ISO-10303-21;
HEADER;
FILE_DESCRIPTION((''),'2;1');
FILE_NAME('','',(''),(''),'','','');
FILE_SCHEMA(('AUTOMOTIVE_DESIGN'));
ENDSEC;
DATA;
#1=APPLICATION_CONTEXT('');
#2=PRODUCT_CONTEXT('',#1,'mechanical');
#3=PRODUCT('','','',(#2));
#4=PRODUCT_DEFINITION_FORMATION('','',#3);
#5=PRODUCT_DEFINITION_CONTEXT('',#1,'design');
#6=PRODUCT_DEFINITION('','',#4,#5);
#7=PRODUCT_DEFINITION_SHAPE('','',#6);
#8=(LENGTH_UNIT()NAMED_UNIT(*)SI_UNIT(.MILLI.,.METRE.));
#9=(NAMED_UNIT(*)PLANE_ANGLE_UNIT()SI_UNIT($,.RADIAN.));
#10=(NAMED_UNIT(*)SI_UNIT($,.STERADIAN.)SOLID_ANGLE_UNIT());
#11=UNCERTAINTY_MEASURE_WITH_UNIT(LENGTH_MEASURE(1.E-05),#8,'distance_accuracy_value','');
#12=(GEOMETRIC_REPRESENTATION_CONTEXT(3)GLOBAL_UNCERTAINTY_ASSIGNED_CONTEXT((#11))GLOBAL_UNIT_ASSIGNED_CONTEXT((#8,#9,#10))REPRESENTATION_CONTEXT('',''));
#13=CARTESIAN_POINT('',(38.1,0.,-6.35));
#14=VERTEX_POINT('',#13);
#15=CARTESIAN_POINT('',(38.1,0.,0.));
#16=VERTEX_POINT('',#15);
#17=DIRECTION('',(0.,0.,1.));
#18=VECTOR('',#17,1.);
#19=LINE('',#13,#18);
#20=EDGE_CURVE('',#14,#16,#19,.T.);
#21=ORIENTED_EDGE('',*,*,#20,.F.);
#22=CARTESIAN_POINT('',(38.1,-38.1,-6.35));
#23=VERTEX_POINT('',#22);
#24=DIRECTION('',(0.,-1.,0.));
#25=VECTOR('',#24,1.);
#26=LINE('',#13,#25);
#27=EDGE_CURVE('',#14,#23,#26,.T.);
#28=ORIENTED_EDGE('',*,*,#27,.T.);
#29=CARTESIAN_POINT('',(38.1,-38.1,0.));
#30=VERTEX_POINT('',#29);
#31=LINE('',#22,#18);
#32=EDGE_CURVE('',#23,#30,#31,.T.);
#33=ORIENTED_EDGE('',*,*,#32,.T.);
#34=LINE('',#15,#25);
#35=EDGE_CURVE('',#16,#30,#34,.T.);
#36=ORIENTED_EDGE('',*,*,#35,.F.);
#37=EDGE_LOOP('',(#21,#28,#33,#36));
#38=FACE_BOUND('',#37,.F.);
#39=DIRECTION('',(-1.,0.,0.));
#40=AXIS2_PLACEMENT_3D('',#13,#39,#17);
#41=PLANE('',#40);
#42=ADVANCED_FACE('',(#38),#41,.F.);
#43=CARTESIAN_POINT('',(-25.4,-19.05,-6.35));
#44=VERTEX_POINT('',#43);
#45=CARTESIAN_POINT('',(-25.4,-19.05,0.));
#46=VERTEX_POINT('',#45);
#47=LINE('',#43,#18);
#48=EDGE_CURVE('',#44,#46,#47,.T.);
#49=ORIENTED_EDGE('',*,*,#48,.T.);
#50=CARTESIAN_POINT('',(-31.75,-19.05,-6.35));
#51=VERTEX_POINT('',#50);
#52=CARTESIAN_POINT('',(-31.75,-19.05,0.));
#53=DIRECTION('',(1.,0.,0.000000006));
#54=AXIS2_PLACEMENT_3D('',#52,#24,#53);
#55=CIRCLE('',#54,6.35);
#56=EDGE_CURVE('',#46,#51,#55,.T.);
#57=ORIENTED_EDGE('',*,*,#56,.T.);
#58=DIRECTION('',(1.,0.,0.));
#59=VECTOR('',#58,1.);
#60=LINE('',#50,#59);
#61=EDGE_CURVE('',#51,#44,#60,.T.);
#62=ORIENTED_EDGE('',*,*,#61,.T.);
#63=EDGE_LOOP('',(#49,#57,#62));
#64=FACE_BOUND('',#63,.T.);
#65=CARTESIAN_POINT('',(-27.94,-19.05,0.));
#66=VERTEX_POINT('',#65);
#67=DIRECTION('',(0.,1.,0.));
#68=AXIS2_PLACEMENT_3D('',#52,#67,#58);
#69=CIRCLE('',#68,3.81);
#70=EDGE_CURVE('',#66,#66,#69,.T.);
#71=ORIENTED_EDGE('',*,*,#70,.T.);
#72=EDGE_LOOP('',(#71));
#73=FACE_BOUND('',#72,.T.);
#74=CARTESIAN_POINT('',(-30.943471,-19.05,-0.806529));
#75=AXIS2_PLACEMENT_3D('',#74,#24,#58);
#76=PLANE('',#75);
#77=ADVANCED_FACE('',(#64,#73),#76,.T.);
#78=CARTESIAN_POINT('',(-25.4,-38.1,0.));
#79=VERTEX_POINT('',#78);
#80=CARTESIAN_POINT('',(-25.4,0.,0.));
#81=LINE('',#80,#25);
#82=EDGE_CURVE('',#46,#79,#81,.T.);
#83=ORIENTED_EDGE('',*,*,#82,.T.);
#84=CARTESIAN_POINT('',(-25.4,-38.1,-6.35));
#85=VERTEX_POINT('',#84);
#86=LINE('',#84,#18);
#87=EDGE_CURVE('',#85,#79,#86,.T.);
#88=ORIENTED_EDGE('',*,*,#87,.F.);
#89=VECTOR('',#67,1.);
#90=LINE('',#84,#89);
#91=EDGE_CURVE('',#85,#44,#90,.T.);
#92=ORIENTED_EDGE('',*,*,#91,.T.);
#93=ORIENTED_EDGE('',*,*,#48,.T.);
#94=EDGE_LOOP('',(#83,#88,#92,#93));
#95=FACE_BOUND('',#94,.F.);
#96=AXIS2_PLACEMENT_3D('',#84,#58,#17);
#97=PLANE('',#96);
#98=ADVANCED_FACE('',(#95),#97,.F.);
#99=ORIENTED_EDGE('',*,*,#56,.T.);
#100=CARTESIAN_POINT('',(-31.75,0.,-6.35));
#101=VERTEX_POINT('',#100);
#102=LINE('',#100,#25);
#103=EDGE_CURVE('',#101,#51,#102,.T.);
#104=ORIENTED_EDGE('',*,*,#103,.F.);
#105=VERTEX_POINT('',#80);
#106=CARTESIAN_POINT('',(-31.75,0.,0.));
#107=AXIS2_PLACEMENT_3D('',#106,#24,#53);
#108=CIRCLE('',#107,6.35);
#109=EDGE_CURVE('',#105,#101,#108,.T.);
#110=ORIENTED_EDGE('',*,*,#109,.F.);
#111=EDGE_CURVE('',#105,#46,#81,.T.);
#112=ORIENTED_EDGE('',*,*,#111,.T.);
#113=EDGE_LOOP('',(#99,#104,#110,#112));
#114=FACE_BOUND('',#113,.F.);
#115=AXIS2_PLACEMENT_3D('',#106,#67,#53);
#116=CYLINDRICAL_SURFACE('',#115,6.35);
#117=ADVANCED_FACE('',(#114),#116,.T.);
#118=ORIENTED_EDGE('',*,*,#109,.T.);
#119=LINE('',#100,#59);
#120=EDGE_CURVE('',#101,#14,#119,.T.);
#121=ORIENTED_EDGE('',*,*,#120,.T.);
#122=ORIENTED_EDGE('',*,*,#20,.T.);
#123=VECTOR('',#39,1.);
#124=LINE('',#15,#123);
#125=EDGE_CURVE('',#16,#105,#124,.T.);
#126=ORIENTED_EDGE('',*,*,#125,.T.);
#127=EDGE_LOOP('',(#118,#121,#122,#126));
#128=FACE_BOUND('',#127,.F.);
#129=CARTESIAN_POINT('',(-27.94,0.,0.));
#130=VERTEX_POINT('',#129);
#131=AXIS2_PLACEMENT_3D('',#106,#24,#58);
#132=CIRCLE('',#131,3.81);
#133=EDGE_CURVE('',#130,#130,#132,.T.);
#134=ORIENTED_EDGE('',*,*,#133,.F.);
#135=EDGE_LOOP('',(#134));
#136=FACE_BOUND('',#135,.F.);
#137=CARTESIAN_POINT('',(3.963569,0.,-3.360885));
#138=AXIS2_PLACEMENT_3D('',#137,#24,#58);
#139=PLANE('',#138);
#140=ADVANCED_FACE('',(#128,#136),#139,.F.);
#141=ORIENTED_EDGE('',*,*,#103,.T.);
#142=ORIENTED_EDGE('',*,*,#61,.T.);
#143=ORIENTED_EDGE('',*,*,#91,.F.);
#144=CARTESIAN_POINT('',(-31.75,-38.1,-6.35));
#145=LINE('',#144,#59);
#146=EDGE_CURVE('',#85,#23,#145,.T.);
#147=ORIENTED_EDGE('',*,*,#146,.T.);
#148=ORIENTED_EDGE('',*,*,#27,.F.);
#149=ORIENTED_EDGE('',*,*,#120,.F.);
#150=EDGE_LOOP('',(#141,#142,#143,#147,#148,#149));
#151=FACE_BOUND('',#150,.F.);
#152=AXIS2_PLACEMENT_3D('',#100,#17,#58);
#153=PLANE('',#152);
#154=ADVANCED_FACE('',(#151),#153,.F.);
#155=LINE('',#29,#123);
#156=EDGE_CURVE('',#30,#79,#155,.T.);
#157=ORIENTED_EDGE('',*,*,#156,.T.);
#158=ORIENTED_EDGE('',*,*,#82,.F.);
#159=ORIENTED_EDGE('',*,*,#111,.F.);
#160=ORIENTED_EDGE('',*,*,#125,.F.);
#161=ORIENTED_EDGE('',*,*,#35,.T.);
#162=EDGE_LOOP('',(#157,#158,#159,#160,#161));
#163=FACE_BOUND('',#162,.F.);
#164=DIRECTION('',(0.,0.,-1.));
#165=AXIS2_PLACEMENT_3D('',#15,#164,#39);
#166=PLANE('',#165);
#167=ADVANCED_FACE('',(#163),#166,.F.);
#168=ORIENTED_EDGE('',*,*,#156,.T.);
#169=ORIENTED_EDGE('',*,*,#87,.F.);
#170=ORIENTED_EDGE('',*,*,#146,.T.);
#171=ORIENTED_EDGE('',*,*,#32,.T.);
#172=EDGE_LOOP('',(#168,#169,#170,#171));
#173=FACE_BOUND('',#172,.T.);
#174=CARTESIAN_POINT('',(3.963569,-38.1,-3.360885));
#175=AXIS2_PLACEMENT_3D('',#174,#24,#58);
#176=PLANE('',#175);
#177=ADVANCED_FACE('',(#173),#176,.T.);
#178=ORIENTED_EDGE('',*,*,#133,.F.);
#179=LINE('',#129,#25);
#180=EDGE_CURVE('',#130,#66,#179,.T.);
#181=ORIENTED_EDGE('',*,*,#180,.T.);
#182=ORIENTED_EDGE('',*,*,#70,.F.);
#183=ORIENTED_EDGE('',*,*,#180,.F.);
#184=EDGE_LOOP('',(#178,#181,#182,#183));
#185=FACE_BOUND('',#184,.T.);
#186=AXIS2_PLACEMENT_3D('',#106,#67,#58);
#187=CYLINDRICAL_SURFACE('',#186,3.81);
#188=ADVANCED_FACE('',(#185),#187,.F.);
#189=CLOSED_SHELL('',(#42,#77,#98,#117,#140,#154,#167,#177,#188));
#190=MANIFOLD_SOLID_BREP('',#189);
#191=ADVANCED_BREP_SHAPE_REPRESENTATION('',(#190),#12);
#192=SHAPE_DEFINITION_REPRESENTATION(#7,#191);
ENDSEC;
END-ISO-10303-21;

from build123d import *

# Parameters (mm, degrees)
F0_R     = 3.81
F1_DEPTH = 38.1
F3_DEPTH = 19.05


with BuildPart() as f1:
    # F0 (on Front) → F1 (new body)
    with BuildSketch(Plane.XZ):
        with BuildLine():
            Line((-31.75, -6.35), (38.1, -6.35))
            Line((38.1, -6.35), (38.1, 0))
            Line((38.1, 0), (-25.4, 0))
            ThreePointArc((-25.4, 0), (-27.259872, -4.490128), (-31.75, -6.35))
        make_face()
        with Locations((-31.75, 0)):
            Circle(F0_R)
        with BuildLine():
            ThreePointArc((-25.4, 0), (-36.240128, 4.490128), (-31.75, -6.35))
            ThreePointArc((-31.75, -6.35), (-27.259872, -4.490128), (-25.4, 0))
        make_face()
        with Locations((-31.75, 0)):
            Circle(F0_R, mode=Mode.SUBTRACT)
    extrude(amount=F1_DEPTH)

    # F2 (on face) → F3 (cut)
    with BuildSketch(Plane.XZ.offset(38.1)):
        with BuildLine():
            Line((-25.4, -6.35), (-25.4, 0))
            ThreePointArc((-25.4, 0), (-36.240128, 4.490128), (-31.75, -6.35))
            Line((-31.75, -6.35), (-25.4, -6.35))
        make_face()
    extrude(amount=-F3_DEPTH, mode=Mode.SUBTRACT)


solid = f1.part
